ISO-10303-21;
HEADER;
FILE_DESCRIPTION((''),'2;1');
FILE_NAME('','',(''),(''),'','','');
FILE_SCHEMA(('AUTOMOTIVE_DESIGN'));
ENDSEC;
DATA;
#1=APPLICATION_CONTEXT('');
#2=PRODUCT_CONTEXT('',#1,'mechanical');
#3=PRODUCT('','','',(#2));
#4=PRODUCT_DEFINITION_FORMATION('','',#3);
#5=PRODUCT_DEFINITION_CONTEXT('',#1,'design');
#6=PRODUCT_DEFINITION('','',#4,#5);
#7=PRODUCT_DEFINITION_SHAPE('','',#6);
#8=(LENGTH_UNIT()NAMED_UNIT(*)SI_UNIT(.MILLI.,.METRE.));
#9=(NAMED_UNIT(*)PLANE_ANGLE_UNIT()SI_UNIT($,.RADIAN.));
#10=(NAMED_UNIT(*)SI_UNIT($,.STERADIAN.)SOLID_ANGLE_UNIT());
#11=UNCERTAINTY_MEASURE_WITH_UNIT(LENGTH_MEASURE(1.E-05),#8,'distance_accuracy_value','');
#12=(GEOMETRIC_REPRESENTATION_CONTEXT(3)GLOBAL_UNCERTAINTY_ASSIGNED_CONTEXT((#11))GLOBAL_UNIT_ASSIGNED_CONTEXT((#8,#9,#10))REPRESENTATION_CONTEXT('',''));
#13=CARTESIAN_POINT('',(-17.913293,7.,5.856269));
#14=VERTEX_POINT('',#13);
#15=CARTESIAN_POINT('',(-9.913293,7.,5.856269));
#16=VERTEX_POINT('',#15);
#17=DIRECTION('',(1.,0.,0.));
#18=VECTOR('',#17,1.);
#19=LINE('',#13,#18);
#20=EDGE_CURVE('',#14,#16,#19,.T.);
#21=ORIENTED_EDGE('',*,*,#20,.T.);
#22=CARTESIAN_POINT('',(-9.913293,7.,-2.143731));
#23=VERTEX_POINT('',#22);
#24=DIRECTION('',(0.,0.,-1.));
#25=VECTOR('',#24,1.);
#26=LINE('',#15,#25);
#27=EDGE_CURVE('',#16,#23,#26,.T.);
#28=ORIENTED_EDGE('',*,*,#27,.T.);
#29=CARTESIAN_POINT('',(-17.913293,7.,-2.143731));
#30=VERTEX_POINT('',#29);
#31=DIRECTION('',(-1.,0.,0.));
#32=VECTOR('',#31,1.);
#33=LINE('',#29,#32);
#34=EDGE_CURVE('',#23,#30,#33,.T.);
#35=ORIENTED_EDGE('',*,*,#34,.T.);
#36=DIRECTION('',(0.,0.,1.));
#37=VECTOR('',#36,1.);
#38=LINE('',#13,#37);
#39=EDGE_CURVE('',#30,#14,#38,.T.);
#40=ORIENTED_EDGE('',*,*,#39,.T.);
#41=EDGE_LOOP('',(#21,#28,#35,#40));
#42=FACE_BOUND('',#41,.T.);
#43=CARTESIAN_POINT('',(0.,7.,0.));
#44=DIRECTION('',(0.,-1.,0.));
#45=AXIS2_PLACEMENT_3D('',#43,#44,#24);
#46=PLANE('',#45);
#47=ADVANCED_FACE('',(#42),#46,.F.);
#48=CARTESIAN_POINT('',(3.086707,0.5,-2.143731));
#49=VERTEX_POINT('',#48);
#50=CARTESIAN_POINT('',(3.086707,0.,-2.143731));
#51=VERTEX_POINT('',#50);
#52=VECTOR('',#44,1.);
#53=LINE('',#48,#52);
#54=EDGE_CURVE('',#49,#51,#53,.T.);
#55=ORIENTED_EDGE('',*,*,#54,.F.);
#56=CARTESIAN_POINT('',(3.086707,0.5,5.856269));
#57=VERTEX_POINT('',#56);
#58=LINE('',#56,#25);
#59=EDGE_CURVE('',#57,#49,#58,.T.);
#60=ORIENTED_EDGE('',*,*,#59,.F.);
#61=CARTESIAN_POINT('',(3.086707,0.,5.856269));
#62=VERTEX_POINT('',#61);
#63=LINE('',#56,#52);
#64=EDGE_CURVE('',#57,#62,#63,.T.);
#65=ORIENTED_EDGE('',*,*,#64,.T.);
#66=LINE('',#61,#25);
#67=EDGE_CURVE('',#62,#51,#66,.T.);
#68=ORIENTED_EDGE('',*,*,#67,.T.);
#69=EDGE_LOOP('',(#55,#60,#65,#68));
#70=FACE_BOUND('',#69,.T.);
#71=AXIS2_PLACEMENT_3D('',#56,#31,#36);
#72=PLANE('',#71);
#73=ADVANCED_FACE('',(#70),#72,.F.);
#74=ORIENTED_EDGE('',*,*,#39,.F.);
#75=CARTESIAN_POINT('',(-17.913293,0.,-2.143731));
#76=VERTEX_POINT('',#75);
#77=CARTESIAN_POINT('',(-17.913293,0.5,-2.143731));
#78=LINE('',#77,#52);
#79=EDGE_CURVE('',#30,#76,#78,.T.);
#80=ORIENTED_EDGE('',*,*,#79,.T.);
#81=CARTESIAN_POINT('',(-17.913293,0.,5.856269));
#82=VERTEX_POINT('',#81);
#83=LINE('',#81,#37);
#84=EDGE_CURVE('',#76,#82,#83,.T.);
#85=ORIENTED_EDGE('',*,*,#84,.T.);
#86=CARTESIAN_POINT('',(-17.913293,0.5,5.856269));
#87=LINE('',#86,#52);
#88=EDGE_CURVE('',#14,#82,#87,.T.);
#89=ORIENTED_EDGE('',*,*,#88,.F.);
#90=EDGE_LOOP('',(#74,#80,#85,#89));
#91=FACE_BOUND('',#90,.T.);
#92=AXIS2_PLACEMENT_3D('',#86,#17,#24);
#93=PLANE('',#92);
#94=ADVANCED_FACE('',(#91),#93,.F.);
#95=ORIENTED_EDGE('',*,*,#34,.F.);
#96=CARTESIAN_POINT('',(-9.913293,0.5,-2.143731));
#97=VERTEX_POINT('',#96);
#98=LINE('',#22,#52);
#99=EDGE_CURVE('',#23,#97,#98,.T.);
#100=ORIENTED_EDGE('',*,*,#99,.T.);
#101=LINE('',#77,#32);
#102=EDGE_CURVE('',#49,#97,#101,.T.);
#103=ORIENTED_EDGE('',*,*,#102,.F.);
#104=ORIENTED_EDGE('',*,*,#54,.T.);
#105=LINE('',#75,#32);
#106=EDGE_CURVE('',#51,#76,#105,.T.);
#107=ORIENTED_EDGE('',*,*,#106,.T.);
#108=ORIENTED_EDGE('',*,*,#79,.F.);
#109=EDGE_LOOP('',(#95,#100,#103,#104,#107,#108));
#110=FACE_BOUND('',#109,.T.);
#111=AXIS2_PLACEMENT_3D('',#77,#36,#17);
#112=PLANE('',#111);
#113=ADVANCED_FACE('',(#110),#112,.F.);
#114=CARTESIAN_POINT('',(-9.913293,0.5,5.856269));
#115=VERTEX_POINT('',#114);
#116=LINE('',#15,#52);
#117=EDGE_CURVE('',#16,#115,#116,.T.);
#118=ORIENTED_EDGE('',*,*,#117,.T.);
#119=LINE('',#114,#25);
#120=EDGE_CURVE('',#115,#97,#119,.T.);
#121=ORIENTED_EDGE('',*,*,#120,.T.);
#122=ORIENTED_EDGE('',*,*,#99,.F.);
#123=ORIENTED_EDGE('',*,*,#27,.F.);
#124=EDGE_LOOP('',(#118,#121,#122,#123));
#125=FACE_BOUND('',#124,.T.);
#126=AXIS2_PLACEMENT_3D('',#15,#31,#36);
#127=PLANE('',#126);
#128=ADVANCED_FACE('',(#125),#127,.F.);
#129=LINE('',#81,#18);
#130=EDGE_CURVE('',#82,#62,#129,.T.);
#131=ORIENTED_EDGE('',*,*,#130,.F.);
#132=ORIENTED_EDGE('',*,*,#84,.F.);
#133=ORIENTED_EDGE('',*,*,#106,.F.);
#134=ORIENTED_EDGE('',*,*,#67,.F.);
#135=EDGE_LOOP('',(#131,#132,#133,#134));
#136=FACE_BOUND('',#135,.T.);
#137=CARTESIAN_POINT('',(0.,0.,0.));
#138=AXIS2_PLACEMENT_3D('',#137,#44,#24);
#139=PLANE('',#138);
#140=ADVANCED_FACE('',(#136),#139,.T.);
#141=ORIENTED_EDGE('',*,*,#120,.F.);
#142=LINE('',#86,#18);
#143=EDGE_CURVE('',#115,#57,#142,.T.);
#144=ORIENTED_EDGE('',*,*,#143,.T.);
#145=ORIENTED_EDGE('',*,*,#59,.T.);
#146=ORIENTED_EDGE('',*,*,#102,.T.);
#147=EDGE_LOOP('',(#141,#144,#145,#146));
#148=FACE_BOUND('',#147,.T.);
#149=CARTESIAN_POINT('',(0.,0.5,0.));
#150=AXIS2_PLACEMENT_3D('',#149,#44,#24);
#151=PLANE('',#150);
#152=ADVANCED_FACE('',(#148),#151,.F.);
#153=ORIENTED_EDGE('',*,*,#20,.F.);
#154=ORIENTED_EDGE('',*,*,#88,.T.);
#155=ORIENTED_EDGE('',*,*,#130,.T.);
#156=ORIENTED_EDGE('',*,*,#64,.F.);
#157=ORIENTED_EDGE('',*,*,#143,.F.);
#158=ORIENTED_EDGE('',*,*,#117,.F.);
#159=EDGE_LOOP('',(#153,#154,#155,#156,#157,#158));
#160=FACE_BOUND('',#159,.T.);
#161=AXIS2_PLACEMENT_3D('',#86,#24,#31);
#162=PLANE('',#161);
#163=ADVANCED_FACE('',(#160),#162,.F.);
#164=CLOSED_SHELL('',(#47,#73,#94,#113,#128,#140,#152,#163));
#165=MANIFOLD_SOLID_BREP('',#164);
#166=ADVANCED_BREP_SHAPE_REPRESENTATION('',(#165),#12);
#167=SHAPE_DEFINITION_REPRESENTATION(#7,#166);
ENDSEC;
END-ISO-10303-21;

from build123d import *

# Parameters (mm, degrees)
SKETCH1_W           = 21
SKETCH1_H           = 8
BOSS_EXTRUDE1_DEPTH = 0.5
SKETCH2_W           = 8
SKETCH2_H           = 8
BOSS_EXTRUDE2_DEPTH = 6.5


with BuildPart() as part:
    # Sketch1 → Boss-Extrude1 (new body)
    with BuildSketch(Plane(origin=(0, 0, 0), x_dir=(1, 0, 0), z_dir=(0, 1, 0))):
        with Locations((-7.413293467, -1.856269018)):
            Rectangle(SKETCH1_W, SKETCH1_H)
    extrude(amount=BOSS_EXTRUDE1_DEPTH)

    # Sketch2 → Boss-Extrude2 (add)
    with BuildSketch(Plane(origin=(0, 0.5, 0), x_dir=(1, 0, 0), z_dir=(0, 1, 0))):
        with Locations((-13.913293467, -1.856269018)):
            Rectangle(SKETCH2_W, SKETCH2_H)
    extrude(amount=BOSS_EXTRUDE2_DEPTH)


solid = part.part
